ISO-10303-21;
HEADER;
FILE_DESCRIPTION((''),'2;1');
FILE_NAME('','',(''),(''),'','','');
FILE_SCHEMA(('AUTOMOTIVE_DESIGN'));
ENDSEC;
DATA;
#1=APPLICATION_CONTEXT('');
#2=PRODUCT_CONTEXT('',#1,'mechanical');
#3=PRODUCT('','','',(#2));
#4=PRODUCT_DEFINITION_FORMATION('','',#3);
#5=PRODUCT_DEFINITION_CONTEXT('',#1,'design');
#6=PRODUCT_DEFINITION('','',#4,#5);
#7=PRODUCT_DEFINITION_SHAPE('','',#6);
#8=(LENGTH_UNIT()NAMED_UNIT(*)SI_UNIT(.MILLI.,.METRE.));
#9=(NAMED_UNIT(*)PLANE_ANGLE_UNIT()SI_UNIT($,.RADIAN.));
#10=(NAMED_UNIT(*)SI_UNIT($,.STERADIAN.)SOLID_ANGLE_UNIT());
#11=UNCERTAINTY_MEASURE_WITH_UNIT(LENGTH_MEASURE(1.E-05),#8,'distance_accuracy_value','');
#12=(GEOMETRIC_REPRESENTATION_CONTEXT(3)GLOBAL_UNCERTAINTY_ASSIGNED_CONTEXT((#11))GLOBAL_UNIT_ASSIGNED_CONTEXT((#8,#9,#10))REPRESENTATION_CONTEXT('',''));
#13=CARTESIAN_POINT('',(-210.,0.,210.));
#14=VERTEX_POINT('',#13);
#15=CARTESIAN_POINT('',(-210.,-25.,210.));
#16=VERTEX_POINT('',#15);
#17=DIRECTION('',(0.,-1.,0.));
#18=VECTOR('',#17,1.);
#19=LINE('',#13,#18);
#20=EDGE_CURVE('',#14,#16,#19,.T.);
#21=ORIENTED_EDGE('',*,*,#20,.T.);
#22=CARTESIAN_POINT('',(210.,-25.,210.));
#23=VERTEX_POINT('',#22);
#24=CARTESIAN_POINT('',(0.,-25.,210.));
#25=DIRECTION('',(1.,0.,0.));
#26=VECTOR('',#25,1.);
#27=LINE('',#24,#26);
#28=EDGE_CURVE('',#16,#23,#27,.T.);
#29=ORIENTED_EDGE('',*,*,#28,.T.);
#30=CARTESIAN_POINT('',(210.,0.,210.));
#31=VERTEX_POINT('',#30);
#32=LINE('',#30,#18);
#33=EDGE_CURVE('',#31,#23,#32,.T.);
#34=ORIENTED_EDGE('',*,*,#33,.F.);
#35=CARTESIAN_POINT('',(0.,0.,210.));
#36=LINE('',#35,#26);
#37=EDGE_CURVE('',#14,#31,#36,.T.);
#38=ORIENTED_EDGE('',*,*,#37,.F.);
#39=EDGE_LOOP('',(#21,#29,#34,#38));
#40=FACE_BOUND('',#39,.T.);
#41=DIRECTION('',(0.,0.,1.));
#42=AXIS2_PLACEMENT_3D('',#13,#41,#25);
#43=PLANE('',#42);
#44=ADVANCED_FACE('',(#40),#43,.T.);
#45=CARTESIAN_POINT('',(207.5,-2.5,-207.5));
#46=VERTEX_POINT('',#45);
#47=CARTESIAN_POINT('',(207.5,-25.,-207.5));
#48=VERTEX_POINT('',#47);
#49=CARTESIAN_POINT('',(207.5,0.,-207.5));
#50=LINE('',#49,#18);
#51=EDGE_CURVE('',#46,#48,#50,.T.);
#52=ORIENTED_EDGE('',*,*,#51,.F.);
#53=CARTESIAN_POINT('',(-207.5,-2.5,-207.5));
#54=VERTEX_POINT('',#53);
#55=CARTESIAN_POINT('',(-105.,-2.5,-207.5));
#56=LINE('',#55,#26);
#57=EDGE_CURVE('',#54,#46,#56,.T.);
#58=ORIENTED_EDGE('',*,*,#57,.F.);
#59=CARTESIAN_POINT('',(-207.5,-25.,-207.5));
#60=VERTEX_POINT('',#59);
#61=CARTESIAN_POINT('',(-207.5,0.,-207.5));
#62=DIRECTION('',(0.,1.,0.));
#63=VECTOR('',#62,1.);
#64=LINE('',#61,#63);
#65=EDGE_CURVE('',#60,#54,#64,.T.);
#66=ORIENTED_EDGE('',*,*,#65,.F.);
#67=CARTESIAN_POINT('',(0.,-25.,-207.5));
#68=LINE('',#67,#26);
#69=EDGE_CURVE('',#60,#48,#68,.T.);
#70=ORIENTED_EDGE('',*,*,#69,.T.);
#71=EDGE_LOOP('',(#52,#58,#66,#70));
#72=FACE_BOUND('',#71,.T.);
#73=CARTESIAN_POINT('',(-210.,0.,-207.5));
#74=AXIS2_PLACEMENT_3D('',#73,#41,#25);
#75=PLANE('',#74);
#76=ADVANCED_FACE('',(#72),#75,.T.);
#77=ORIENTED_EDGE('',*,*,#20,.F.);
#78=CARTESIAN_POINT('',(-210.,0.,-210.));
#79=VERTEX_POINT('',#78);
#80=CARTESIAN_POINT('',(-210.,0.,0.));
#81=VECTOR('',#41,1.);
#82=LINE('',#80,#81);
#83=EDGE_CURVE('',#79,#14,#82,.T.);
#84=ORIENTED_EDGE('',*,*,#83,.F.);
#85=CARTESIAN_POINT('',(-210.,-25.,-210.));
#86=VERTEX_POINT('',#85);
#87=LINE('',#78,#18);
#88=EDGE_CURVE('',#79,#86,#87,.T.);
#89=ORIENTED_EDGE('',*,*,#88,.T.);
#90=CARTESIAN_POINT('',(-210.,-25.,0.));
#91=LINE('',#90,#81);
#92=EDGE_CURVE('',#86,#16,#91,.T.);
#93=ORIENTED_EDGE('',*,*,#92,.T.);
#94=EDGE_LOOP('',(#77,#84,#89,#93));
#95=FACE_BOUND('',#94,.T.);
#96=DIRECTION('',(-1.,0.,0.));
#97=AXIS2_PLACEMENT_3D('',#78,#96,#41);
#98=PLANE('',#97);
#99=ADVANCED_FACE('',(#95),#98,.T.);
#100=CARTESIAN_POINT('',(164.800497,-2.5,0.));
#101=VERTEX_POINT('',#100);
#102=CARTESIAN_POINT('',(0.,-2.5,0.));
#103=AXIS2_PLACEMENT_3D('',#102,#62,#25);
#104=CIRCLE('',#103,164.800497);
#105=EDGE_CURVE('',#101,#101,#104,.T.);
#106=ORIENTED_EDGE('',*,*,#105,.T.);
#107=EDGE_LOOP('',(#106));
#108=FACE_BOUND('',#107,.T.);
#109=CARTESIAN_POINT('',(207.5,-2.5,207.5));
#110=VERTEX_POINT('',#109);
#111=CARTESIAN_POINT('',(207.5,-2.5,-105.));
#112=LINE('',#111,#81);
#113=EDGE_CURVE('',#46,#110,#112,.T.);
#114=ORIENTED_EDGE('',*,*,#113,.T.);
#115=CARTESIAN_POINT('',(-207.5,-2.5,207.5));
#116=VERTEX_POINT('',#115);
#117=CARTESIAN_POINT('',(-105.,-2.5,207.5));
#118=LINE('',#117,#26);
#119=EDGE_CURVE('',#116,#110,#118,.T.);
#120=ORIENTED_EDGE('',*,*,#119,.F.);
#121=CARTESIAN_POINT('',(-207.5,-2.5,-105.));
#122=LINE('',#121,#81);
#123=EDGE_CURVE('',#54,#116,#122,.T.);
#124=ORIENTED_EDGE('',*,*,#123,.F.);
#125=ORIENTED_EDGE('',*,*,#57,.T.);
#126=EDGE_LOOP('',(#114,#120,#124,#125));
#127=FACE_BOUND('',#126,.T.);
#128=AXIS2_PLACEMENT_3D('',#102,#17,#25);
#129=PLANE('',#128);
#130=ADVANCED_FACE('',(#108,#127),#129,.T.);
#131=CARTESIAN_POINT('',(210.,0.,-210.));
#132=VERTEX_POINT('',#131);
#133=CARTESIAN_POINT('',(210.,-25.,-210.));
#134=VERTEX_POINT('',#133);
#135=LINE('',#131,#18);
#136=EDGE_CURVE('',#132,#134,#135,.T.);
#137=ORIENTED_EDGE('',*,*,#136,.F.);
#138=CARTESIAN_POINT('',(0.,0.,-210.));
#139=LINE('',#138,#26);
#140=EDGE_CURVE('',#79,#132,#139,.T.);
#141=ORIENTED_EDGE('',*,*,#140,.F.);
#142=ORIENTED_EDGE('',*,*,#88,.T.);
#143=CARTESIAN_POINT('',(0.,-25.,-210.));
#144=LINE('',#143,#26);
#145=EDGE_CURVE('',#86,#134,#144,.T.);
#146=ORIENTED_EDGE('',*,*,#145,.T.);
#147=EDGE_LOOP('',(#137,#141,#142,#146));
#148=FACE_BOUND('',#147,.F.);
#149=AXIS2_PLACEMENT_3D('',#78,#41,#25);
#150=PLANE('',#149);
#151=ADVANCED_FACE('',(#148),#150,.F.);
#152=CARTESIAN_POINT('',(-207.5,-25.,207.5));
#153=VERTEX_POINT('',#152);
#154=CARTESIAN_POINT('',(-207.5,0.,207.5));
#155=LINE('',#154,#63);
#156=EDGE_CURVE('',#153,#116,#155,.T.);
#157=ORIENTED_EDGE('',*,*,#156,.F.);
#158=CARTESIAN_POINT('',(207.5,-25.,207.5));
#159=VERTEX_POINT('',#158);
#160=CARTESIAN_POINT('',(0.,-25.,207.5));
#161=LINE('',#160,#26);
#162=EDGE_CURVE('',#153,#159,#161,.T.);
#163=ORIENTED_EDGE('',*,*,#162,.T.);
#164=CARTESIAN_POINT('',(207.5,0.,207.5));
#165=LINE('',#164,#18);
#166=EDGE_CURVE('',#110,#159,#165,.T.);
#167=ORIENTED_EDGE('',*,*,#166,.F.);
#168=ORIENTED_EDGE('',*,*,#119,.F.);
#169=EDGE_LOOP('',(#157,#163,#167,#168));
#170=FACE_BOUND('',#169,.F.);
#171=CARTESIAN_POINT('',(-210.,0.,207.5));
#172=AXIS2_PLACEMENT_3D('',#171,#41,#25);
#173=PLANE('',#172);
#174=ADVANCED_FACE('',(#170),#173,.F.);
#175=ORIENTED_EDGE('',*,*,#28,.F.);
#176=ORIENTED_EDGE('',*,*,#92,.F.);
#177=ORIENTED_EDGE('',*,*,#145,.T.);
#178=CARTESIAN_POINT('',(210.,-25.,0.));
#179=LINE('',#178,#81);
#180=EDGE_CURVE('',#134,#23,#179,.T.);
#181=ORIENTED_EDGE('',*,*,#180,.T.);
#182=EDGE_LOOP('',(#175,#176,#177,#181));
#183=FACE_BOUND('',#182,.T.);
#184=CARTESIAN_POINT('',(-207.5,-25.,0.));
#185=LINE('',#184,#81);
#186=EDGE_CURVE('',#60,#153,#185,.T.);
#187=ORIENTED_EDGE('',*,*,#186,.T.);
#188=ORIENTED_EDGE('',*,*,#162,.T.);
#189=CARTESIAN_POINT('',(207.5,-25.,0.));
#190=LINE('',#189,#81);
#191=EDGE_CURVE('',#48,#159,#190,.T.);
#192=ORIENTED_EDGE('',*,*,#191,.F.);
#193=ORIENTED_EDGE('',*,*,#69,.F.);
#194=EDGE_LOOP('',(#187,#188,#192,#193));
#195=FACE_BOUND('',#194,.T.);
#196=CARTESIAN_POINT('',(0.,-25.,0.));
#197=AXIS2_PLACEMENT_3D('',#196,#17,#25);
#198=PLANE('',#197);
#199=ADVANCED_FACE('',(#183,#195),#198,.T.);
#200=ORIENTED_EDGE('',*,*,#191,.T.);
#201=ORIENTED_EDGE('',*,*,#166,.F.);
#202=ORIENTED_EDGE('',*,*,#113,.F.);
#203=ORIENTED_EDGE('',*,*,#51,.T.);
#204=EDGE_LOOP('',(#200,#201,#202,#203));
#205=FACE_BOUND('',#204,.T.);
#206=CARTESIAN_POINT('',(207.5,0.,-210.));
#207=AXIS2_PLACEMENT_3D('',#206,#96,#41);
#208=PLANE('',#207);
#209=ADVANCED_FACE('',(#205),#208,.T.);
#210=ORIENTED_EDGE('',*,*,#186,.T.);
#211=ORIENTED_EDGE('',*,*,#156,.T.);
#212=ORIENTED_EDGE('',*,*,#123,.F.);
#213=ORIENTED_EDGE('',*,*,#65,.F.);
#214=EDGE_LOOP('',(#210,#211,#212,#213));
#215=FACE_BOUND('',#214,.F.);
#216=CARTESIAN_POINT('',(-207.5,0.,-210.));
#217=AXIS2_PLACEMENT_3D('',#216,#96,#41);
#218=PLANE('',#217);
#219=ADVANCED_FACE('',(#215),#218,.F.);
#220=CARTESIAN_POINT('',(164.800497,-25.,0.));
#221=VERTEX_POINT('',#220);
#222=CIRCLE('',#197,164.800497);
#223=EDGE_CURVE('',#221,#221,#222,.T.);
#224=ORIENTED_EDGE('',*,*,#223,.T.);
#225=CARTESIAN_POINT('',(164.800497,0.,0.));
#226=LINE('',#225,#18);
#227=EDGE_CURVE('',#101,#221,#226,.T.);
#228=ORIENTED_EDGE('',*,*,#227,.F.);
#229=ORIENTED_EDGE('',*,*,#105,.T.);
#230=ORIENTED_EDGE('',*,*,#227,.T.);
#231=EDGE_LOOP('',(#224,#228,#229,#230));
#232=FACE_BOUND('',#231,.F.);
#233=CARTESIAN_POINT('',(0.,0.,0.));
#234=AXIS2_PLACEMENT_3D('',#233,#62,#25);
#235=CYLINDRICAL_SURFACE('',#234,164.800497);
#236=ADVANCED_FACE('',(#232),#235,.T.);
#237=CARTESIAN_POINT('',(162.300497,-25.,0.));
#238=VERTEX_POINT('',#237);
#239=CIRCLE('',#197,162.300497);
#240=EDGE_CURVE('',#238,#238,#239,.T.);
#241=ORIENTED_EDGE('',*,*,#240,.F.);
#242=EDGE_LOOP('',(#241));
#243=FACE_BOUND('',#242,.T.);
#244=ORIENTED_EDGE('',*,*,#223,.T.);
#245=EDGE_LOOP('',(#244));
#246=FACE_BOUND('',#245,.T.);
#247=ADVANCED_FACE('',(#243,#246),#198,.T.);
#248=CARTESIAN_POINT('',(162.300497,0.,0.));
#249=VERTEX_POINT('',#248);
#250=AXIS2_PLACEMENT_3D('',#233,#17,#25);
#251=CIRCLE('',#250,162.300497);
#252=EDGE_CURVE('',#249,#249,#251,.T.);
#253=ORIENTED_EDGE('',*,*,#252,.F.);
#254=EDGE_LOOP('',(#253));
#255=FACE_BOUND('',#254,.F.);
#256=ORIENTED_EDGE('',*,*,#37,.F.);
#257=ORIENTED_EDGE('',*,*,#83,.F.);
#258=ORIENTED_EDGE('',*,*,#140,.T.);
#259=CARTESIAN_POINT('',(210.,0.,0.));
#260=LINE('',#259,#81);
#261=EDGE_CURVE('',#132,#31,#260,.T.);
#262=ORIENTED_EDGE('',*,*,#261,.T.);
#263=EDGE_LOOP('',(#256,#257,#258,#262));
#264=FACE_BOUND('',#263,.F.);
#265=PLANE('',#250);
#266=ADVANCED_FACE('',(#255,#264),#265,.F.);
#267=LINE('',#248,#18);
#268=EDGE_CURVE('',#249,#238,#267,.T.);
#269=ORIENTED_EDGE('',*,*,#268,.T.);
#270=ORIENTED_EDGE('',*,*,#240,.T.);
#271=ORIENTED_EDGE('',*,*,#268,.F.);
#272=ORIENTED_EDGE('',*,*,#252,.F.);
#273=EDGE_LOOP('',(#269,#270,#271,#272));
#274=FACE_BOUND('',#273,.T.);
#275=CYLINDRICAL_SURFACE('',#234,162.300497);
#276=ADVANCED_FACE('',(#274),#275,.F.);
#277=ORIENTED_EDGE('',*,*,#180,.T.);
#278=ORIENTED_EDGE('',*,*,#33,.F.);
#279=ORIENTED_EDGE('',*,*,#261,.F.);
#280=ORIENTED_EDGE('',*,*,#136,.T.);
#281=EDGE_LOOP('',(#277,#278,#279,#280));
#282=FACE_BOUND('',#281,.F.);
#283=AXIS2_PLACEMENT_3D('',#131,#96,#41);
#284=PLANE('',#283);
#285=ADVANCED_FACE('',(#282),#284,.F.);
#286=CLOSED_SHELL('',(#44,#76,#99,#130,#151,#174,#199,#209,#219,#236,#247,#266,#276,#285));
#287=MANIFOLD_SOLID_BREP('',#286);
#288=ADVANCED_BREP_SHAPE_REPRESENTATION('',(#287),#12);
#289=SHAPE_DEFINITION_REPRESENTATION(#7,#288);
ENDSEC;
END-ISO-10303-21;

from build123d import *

# Parameters (mm, degrees)
F0_W     = 420
F0_H     = 420
F0_R     = 162.300497
F1_DEPTH = 25
F2_DEPTH = 25
F3_T     = -2.5


with BuildPart() as f1:
    # F0 (on Front) → F1 (new body)
    with BuildSketch(Plane.XZ):
        Rectangle(F0_W, F0_H)
        Circle(F0_R, mode=Mode.SUBTRACT)
    extrude(amount=F1_DEPTH)

    # F0 (on Front) → F2 (join)
    with BuildSketch(Plane.XZ):
        Rectangle(F0_W, F0_H)
        Circle(F0_R, mode=Mode.SUBTRACT)
    extrude(amount=F2_DEPTH)

    # F3
    f3_openings = [f1.faces().sort_by_distance(p)[0] for p in [
        (-204.060303, -25, 0),
    ]]
    offset(amount=F3_T, openings=f3_openings)


solid = f1.part
